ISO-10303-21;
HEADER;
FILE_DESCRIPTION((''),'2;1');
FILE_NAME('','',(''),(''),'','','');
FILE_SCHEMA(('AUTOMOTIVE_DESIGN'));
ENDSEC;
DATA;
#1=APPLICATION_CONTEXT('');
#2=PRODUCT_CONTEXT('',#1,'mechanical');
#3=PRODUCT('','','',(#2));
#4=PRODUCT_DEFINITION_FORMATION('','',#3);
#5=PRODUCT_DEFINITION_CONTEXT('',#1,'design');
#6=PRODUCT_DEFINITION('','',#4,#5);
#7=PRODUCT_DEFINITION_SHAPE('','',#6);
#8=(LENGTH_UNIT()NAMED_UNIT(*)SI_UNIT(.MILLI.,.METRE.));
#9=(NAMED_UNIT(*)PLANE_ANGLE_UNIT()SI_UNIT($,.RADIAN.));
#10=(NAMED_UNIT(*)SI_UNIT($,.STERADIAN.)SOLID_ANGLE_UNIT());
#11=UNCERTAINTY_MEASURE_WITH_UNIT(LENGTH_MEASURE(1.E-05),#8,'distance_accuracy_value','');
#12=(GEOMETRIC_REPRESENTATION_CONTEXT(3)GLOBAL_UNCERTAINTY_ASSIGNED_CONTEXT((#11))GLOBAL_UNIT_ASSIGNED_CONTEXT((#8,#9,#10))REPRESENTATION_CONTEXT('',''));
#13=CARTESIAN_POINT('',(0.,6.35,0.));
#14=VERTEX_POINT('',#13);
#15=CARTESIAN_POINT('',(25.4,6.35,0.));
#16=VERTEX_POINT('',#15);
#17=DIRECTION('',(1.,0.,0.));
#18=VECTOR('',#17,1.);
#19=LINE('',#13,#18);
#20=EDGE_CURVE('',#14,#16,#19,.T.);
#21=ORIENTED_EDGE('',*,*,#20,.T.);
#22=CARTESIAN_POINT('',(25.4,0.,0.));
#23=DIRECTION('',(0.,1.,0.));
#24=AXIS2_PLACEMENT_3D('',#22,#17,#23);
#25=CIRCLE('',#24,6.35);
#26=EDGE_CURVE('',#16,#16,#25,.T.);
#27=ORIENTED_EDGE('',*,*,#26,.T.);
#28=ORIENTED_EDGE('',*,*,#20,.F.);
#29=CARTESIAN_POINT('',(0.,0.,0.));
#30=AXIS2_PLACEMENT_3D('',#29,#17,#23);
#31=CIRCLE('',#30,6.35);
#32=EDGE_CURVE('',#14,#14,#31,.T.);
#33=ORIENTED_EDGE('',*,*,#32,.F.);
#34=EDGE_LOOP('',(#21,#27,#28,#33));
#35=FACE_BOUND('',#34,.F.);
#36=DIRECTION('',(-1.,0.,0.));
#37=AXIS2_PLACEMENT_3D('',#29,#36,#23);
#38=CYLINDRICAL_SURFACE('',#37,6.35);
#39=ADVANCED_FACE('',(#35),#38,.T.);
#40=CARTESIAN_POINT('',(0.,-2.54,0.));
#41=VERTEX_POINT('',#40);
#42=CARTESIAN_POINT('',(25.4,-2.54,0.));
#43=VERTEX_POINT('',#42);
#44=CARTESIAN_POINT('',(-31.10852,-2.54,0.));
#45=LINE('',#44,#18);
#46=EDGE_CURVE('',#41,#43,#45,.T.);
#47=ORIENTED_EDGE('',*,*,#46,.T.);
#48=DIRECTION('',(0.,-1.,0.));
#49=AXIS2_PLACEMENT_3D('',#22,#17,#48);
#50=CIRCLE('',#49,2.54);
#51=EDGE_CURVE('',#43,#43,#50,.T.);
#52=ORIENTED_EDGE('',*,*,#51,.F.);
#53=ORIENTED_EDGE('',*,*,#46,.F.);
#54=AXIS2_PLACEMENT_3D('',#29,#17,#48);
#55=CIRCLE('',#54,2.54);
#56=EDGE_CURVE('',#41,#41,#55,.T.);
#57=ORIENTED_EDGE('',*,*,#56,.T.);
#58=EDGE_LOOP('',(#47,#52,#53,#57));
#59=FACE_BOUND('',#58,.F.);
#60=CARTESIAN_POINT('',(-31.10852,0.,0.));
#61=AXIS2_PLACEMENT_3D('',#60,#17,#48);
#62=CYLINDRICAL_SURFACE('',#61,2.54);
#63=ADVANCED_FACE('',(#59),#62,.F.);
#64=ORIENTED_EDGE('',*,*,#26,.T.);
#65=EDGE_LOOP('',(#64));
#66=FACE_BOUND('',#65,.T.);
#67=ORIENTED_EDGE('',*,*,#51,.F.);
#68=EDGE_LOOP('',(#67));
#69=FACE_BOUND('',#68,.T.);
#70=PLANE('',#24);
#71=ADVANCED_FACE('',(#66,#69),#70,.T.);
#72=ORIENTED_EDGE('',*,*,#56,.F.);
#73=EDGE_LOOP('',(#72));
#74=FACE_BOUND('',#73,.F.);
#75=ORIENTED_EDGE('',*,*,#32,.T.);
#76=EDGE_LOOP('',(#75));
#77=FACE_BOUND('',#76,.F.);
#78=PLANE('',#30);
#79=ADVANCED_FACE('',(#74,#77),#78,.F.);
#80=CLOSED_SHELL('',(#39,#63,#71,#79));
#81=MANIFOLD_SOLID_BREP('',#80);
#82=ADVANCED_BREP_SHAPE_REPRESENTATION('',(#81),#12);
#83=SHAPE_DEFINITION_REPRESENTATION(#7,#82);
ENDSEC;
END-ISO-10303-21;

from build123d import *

# Parameters (mm, degrees)
F0_R     = 6.35
F1_DEPTH = 25.4
F3_D     = 5.08


with BuildPart() as f1:
    # F0 (on Right) → F1 (new body)
    with BuildSketch(Plane.YZ):
        Circle(F0_R)
    extrude(amount=F1_DEPTH)

    # F3 (through all)
    with Locations(Plane(origin=(0, 0, 0), x_dir=(0, 1, 0), z_dir=(-1, 0, 0))):
        with Locations((0, 0)):
            Hole(F3_D / 2)


solid = f1.part
